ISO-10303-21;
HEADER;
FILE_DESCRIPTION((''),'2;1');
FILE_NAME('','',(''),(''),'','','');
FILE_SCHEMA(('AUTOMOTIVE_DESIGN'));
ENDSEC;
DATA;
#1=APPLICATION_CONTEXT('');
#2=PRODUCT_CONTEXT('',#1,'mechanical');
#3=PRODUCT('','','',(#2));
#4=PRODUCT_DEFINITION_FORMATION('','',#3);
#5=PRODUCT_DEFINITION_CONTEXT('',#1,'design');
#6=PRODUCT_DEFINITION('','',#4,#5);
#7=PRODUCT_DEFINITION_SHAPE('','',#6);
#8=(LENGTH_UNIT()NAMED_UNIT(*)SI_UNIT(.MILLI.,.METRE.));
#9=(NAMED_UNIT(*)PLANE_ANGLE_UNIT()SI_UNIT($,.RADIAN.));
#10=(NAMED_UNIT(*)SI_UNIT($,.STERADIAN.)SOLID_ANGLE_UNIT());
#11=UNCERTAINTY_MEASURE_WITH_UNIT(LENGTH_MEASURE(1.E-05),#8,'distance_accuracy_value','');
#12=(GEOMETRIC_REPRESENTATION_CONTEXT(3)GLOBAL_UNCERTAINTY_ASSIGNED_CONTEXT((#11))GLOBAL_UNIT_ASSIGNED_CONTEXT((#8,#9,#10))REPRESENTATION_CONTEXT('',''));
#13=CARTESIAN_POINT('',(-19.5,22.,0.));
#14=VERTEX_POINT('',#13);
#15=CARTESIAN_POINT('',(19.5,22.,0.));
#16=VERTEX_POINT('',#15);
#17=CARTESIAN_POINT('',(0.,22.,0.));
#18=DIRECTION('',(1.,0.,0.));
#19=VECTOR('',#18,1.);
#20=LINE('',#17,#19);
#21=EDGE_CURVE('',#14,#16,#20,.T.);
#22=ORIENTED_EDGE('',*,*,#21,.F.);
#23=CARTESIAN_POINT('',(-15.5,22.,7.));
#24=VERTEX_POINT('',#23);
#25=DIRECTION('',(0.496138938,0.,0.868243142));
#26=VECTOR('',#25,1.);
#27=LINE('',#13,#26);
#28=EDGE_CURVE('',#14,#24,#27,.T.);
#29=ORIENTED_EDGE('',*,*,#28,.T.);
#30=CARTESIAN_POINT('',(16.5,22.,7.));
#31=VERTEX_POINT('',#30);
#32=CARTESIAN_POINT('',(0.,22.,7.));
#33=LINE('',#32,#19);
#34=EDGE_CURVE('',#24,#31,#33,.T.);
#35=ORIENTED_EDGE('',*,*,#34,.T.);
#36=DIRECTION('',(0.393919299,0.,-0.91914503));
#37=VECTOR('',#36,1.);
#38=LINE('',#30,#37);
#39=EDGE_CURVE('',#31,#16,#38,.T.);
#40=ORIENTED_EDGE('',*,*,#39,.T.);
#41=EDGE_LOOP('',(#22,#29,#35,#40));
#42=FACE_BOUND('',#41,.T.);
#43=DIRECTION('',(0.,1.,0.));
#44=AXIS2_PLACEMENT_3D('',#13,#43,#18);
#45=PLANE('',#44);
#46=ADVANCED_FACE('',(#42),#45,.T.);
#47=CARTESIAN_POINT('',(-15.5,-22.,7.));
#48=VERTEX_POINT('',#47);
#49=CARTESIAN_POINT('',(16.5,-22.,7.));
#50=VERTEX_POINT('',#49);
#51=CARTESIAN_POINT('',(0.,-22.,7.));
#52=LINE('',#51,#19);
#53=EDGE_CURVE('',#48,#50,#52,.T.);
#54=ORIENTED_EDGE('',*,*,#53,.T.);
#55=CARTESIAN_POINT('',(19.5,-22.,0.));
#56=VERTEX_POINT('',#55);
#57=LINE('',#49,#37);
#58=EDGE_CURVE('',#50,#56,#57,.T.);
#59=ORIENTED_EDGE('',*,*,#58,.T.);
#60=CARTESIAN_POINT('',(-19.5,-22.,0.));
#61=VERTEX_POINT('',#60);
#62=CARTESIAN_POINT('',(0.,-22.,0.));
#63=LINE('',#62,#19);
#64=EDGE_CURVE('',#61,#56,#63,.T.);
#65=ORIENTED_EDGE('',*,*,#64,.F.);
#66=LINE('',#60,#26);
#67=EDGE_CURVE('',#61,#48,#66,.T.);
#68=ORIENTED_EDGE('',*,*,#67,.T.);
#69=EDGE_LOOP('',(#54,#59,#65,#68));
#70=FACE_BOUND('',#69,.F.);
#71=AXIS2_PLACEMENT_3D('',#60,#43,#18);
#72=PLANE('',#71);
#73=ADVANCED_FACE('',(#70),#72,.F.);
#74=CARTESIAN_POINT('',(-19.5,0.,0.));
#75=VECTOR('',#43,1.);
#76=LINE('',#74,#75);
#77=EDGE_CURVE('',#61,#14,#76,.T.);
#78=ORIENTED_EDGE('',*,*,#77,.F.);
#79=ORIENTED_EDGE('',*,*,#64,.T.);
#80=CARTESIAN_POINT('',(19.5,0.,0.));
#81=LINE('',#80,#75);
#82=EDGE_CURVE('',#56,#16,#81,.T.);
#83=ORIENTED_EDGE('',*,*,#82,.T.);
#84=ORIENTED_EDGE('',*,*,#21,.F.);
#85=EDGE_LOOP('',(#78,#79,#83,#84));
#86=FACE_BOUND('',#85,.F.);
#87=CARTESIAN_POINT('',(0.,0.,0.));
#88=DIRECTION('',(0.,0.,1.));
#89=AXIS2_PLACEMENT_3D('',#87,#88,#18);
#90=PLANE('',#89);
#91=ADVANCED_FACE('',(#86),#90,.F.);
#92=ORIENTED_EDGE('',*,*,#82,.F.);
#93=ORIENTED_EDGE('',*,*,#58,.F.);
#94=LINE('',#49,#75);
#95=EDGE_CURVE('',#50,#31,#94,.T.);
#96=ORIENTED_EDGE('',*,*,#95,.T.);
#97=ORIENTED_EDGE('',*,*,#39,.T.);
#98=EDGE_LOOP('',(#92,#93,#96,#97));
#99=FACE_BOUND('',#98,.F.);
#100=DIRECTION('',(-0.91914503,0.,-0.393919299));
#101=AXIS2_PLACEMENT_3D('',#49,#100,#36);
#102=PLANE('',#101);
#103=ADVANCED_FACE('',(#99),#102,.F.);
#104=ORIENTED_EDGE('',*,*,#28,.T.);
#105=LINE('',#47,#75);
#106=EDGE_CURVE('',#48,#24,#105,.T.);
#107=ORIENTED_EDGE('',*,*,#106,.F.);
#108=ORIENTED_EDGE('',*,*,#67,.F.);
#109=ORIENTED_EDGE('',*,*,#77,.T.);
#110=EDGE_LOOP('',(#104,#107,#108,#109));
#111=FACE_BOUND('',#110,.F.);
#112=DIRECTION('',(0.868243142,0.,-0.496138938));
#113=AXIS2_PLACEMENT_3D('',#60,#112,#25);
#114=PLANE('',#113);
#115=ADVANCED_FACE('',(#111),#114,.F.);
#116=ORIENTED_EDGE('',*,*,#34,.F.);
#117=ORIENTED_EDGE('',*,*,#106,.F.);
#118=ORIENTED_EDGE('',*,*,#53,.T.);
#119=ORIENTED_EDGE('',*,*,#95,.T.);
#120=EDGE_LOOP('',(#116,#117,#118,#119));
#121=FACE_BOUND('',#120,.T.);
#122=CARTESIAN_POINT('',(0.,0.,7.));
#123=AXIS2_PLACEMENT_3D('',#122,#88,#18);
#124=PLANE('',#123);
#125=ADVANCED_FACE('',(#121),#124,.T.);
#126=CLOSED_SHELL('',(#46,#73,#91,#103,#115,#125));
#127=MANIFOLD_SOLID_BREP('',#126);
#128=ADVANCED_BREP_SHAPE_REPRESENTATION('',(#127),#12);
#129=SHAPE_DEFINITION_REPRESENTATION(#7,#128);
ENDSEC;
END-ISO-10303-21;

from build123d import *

# Parameters (mm, degrees)
F0_W     = 39
F0_H     = 44
F1_DEPTH = 7
F3_DEPTH = 44


with BuildPart() as f1:
    # F0 (on Top) → F1 (new body)
    with BuildSketch(Plane.XY):
        Rectangle(F0_W, F0_H)
    extrude(amount=F1_DEPTH)

    # F2 (on face) → F3 (cut)
    with BuildSketch(Plane.XZ.offset(22)):
        Polygon((-19.5, 7), (-19.5, 0), (-15.5, 7), align=None)
        Polygon((16.5, 7), (19.5, 0), (19.5, 7), align=None)
    extrude(amount=-F3_DEPTH, mode=Mode.SUBTRACT)


solid = f1.part
